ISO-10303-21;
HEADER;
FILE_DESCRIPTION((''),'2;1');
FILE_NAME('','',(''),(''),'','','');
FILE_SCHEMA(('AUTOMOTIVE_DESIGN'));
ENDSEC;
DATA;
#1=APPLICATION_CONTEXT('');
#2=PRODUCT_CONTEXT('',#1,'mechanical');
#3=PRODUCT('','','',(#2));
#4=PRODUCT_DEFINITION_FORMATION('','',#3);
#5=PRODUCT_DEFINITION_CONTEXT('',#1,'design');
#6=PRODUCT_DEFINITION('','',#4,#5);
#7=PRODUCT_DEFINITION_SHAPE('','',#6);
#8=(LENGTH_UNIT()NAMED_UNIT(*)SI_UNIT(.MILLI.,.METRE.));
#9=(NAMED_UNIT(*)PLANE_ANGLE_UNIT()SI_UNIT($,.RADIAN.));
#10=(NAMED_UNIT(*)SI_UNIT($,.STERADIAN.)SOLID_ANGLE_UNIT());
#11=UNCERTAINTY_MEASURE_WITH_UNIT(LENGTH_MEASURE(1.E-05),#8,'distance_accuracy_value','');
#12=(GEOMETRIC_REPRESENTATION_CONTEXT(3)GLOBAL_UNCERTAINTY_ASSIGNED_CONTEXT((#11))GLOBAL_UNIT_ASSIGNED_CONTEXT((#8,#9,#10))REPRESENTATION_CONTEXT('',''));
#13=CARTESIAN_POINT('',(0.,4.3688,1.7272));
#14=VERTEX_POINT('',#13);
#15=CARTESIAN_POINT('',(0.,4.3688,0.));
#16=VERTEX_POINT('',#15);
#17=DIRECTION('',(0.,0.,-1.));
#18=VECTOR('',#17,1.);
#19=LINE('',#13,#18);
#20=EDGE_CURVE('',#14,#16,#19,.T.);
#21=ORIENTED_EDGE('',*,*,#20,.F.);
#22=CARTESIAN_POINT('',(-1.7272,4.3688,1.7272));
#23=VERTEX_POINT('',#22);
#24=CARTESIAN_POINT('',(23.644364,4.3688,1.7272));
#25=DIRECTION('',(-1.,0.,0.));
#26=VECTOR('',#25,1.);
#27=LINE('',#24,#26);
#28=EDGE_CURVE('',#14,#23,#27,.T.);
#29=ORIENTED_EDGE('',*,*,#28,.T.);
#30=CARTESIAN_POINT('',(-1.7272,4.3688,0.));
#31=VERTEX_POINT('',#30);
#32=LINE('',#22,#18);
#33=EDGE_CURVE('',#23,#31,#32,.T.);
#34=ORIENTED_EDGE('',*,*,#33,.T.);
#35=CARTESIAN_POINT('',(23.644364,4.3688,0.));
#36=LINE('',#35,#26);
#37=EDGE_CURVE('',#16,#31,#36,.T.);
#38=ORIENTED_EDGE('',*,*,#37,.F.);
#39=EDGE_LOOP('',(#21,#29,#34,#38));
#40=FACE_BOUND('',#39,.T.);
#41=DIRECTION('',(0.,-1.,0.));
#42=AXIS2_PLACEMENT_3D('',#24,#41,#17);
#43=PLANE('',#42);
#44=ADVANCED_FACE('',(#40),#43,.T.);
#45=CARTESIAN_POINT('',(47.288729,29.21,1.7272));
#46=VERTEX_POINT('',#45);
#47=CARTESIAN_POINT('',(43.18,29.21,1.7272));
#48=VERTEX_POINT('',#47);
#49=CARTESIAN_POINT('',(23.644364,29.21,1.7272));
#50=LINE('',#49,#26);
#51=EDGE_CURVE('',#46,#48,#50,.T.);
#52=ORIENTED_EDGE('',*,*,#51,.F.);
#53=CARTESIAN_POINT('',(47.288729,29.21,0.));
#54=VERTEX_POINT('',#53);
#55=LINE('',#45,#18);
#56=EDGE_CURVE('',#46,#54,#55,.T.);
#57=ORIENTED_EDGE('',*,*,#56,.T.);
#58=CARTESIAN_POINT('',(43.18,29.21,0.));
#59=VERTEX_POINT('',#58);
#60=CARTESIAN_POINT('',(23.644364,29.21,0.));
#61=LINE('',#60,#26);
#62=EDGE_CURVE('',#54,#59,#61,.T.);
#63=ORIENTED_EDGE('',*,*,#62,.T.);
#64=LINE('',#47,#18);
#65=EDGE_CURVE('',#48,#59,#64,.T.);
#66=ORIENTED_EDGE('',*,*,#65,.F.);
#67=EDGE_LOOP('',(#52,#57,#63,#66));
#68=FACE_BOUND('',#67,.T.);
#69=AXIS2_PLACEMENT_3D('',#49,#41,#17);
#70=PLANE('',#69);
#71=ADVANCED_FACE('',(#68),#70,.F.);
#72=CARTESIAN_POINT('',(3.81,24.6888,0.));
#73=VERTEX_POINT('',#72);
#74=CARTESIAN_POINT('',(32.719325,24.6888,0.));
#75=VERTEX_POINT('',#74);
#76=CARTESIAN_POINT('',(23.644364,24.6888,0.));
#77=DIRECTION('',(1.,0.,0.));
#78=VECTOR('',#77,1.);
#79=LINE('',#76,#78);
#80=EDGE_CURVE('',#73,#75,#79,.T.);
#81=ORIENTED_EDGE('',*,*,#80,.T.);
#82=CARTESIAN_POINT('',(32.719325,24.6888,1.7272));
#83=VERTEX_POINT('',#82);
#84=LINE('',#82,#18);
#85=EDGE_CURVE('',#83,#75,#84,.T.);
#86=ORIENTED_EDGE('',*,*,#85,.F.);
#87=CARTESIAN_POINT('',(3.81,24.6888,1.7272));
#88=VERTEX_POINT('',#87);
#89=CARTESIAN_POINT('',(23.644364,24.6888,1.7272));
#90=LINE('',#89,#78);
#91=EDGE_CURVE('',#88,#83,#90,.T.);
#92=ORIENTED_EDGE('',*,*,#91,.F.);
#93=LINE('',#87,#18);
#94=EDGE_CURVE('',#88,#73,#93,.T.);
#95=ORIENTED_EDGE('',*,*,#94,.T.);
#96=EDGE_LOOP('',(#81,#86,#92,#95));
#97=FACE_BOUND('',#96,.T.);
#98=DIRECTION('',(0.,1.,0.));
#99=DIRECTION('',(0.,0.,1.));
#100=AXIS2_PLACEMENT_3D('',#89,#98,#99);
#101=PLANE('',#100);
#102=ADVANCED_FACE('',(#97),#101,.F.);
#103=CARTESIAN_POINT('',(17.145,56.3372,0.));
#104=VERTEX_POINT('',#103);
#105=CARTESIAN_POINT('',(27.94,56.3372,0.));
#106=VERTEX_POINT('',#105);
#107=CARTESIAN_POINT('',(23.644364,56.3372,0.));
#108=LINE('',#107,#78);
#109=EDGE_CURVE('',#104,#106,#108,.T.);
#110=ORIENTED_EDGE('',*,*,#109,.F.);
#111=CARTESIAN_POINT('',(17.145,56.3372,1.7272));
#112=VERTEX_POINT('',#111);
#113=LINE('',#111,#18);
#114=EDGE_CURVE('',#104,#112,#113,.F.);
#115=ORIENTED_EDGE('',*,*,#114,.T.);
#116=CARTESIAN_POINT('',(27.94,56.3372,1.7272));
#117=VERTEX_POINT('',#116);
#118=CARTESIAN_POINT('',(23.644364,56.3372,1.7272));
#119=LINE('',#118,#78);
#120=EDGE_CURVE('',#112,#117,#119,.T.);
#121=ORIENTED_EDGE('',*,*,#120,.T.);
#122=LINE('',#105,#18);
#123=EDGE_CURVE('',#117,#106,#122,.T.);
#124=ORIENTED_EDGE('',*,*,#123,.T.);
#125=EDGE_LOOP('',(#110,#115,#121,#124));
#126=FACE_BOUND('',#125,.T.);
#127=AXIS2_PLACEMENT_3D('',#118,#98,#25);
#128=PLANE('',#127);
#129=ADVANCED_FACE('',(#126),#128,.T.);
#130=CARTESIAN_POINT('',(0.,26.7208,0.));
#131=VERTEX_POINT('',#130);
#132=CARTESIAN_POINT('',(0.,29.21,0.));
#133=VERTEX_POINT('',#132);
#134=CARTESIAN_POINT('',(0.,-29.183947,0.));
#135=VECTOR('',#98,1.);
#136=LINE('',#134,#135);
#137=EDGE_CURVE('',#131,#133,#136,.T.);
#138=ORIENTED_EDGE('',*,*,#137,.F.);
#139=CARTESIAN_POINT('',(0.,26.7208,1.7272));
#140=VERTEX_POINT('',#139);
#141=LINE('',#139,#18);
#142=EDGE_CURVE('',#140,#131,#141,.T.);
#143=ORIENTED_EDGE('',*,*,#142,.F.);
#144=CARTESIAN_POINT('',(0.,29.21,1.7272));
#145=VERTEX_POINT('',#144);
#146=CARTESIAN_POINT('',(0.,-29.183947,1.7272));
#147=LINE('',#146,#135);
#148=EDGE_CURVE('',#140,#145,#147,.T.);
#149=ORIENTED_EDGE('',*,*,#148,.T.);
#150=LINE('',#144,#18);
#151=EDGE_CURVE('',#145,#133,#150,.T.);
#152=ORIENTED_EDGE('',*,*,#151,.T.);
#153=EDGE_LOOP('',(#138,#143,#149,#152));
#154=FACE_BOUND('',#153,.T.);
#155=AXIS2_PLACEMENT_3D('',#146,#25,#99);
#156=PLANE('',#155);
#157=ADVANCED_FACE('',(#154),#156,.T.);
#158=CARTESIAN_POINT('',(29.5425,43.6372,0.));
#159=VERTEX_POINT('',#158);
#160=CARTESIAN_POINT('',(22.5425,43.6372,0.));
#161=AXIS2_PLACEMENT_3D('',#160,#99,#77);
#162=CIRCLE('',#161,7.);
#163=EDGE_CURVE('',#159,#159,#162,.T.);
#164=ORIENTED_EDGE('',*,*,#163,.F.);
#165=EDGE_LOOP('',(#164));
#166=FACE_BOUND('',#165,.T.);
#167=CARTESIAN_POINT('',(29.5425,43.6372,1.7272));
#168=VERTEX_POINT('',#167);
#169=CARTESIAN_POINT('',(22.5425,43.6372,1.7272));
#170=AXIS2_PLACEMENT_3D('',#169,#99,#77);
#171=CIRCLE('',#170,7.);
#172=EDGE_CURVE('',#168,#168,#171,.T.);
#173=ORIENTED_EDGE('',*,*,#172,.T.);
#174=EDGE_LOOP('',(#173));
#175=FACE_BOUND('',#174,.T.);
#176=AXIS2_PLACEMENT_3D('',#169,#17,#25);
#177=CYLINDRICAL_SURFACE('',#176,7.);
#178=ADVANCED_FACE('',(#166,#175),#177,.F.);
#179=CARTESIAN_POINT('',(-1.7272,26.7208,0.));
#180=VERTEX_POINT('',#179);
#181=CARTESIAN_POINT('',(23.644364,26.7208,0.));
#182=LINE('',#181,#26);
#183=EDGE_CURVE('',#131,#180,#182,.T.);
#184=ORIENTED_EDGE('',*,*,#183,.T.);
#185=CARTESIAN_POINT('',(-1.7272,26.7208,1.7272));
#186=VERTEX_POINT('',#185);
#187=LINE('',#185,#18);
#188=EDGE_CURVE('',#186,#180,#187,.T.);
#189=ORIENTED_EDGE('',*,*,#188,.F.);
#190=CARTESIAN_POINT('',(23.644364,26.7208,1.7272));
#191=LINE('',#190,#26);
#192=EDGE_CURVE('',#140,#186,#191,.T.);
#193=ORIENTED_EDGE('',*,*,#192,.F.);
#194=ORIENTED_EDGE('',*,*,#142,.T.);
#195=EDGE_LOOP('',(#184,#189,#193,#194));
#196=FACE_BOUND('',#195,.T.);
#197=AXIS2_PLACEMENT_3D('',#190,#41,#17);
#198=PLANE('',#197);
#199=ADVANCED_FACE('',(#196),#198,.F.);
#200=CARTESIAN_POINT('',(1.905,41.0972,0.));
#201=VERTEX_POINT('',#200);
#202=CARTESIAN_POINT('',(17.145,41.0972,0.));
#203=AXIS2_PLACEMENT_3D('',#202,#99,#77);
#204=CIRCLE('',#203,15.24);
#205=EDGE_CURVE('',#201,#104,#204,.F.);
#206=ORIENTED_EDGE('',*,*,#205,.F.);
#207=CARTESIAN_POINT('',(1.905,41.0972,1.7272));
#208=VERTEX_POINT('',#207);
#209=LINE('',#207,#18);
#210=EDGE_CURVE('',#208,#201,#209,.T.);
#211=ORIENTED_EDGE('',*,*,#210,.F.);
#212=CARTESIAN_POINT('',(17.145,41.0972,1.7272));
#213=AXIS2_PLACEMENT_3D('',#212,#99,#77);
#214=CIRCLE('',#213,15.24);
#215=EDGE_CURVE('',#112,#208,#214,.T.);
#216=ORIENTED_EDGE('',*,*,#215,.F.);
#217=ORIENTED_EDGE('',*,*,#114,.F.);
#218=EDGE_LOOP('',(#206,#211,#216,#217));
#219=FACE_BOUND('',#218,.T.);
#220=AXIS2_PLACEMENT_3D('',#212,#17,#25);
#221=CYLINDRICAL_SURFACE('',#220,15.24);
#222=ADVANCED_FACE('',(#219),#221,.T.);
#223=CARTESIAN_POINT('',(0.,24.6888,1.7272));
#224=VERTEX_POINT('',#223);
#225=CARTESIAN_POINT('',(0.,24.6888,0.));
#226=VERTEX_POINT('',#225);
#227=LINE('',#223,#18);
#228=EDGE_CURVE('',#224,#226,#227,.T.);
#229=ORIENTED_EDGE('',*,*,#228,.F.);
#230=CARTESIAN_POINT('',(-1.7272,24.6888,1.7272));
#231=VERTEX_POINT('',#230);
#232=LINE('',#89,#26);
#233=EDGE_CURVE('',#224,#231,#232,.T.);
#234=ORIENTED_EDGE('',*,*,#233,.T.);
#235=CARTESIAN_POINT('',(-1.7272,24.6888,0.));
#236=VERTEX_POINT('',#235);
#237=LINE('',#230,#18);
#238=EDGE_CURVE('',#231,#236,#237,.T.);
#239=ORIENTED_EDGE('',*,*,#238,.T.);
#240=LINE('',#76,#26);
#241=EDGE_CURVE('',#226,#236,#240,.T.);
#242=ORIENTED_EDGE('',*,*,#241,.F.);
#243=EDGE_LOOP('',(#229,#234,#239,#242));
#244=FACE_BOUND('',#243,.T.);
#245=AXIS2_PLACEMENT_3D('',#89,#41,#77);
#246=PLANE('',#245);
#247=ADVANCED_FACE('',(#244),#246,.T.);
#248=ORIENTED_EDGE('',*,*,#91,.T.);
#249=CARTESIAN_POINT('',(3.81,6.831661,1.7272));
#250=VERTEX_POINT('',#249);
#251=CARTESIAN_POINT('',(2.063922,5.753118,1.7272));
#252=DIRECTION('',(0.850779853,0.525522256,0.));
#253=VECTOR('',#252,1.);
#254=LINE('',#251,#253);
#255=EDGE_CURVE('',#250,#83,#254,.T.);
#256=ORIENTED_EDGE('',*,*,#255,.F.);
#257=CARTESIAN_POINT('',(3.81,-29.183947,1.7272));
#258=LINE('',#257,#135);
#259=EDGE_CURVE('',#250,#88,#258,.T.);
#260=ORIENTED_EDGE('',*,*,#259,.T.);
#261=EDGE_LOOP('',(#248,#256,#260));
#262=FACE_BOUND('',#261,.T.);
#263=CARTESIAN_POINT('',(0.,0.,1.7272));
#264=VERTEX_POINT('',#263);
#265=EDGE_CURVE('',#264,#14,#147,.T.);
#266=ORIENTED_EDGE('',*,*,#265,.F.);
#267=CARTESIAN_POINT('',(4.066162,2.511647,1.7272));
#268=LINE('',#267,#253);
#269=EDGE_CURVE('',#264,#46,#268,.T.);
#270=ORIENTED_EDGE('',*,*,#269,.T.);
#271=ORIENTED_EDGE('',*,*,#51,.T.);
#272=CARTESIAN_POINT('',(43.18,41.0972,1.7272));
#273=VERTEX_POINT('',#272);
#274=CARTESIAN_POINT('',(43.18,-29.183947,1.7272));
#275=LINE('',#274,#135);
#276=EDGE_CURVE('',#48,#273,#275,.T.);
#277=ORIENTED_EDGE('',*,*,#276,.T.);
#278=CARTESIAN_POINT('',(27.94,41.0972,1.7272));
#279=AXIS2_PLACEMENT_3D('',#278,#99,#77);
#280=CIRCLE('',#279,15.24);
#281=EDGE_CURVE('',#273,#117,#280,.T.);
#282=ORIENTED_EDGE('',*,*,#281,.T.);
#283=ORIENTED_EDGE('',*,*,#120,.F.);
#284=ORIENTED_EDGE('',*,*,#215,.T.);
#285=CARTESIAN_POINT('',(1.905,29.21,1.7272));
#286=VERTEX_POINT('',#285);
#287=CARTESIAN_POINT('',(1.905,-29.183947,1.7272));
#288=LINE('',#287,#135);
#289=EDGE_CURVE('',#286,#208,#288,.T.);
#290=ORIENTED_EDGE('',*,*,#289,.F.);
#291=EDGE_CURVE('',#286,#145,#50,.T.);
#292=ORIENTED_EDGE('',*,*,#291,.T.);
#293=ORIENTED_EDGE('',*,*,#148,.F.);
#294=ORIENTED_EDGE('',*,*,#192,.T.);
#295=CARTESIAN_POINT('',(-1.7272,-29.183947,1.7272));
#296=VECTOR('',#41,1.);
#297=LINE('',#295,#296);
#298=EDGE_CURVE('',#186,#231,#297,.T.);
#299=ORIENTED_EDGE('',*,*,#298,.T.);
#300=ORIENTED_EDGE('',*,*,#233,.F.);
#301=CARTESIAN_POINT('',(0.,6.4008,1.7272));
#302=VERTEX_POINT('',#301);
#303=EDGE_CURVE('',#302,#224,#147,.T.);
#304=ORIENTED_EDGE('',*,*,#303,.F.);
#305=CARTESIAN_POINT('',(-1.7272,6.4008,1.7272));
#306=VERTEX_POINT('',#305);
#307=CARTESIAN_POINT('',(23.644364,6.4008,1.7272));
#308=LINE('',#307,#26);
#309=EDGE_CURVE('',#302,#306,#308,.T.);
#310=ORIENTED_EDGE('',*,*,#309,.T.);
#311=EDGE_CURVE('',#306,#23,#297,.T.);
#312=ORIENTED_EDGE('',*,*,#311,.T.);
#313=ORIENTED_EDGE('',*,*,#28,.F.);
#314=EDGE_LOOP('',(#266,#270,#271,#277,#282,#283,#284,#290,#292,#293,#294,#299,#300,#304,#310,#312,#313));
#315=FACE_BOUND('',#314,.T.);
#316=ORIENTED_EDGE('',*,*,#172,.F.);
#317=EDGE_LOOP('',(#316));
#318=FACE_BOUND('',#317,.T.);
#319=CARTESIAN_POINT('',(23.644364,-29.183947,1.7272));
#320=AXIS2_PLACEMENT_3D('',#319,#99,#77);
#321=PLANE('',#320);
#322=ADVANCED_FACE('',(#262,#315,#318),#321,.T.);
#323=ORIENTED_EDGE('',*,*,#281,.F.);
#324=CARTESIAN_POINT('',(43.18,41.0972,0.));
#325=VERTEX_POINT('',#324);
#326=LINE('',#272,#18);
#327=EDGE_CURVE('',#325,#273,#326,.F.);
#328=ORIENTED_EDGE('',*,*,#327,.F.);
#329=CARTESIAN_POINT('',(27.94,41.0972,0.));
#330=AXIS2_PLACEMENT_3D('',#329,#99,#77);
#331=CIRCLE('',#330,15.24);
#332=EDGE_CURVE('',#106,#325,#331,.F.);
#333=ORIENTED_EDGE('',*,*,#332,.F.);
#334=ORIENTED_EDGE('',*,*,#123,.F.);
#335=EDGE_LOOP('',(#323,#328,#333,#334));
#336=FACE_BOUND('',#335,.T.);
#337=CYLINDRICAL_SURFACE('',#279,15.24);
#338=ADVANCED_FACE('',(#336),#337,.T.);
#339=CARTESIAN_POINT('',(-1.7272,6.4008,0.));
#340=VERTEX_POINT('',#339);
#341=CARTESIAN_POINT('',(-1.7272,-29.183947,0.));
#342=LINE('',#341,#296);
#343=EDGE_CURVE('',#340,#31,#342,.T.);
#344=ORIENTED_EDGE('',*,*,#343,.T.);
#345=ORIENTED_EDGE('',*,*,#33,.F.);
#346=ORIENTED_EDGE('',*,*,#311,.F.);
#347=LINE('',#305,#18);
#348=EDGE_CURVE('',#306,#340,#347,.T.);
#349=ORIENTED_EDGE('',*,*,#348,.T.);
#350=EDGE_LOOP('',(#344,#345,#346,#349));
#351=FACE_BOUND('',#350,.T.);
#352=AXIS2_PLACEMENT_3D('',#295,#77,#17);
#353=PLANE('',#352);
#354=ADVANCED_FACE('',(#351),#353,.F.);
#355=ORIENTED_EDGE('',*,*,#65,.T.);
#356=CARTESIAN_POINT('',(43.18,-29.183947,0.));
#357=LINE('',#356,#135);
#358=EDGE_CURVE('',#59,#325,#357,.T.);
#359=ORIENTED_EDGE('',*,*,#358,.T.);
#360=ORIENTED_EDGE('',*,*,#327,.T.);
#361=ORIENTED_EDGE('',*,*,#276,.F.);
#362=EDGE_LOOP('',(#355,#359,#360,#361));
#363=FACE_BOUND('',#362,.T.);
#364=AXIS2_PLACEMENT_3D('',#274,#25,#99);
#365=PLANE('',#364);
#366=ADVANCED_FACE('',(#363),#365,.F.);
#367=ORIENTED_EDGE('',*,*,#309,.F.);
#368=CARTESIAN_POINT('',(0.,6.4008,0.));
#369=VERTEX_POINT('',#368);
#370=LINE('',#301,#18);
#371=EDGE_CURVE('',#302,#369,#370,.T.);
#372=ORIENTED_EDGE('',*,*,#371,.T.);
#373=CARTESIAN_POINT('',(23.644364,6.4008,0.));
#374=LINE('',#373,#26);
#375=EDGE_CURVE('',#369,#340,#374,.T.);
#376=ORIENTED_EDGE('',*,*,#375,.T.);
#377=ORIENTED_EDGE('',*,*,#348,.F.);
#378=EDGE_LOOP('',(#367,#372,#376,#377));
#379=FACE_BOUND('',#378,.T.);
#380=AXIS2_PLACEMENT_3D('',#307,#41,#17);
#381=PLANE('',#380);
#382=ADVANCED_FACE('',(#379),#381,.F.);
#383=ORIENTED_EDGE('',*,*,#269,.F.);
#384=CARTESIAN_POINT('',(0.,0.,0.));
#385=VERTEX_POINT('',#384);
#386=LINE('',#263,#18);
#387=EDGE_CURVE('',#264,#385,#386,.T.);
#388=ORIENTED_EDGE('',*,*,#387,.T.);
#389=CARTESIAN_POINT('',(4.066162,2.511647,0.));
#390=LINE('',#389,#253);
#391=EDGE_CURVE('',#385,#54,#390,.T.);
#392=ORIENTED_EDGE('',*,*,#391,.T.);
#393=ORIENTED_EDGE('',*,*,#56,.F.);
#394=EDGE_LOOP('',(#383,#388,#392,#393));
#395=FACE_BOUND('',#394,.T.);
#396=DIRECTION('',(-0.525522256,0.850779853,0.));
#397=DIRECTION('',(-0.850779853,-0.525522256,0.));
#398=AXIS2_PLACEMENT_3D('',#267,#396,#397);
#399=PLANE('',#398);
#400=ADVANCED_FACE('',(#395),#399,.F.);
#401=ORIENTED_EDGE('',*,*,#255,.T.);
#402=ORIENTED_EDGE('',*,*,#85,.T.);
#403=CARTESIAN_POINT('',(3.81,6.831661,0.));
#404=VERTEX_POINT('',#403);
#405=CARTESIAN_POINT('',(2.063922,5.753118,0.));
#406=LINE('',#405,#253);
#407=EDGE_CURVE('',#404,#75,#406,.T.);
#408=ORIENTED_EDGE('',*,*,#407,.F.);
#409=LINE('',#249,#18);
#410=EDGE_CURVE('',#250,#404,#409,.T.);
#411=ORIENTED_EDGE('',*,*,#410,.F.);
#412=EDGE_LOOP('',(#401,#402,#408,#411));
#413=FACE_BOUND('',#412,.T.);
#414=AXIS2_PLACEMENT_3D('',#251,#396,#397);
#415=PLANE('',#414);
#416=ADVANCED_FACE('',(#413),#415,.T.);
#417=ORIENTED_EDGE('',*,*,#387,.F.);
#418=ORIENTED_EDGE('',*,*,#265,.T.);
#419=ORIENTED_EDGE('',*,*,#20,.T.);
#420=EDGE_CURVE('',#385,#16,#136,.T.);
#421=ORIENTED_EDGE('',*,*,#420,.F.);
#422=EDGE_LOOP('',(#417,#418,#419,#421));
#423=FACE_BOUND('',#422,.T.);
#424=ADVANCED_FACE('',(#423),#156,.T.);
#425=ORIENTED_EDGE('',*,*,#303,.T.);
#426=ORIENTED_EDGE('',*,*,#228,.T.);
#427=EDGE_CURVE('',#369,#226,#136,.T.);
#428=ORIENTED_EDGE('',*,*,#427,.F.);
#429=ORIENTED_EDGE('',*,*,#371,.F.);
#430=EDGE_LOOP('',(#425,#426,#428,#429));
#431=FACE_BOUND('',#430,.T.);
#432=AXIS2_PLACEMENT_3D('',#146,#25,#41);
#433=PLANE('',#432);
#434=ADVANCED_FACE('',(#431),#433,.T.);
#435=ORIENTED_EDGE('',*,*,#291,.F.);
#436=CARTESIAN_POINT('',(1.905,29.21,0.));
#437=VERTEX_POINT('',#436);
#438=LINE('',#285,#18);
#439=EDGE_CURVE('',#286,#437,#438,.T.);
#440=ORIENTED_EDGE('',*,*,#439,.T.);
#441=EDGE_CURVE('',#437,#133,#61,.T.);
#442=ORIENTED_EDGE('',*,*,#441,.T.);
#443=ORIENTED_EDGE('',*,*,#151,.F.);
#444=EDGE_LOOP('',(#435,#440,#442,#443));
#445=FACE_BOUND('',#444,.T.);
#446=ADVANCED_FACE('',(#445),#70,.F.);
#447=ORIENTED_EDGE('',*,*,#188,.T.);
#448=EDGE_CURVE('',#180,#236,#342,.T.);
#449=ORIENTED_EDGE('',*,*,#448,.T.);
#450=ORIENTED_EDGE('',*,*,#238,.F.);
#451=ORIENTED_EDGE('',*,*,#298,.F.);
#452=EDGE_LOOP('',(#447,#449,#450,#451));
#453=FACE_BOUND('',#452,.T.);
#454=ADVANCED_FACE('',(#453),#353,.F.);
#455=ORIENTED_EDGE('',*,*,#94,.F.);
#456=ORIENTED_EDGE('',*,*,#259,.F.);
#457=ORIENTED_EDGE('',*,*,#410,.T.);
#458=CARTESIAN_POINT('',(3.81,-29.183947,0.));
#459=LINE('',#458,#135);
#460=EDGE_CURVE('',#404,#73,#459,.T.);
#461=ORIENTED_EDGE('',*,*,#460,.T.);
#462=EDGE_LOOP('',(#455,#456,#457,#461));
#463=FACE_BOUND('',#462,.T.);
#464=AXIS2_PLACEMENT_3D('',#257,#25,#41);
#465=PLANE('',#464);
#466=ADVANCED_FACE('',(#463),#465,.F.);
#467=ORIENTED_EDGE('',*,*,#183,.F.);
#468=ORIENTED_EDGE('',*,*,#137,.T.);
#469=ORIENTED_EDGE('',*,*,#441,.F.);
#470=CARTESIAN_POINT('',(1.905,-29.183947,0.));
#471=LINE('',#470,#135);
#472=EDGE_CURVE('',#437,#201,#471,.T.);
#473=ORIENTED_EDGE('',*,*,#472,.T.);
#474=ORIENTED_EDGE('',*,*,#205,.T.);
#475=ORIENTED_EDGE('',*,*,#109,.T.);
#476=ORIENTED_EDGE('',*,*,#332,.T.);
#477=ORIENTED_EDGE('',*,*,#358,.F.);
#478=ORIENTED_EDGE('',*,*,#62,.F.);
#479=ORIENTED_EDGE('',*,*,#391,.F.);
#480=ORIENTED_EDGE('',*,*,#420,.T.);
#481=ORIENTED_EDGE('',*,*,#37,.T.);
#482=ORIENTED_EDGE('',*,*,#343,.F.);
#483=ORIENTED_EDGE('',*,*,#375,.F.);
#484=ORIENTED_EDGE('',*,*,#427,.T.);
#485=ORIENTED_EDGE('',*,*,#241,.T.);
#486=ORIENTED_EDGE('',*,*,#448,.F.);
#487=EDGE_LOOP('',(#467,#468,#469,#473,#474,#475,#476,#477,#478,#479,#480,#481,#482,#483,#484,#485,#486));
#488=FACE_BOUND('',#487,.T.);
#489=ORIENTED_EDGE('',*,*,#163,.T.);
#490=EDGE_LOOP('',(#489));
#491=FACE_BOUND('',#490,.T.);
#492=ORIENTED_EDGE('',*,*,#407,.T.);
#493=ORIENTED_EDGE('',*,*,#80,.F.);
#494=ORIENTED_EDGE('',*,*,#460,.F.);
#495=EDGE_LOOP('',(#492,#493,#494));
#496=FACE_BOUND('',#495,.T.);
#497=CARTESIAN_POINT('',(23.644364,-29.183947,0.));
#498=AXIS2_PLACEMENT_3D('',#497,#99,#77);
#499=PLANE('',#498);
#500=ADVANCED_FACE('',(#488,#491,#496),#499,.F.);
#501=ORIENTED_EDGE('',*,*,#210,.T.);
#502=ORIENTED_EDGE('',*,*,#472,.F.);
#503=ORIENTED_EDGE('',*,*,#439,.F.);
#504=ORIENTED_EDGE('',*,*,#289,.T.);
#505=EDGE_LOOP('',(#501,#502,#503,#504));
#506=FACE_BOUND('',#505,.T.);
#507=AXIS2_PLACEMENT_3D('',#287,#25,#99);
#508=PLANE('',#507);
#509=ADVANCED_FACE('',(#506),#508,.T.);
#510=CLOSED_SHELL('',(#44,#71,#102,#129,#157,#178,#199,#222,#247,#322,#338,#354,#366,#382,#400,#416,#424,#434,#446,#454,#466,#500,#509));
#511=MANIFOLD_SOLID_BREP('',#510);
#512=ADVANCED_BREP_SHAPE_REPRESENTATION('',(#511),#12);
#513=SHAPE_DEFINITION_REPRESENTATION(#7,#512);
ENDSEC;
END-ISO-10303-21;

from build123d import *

# Parameters (mm, degrees)
SKETCH1_R           = 7
BOSS_EXTRUDE1_DEPTH = 1.7272
FILLET7_R           = 15.24


with BuildPart() as part:
    # Sketch1 → Boss-Extrude1 (new body)
    with BuildSketch(Plane.XY):
        Polygon((0, 0), (47.288728977, 29.21), (43.18, 29.21), (43.18, 56.3372), (1.905, 56.3372), (1.905, 29.21), (0, 29.21), (0, 26.7208), (-1.7272, 26.7208), (-1.7272, 24.6888), (0, 24.6888), (0, 6.4008), (-1.7272, 6.4008), (-1.7272, 4.3688), (0, 4.3688), align=None)
        with Locations((22.5425, 43.6372)):
            Circle(SKETCH1_R, mode=Mode.SUBTRACT)
        Polygon((3.81, 24.6888), (32.719325319, 24.6888), (3.81, 6.831661294), align=None, mode=Mode.SUBTRACT)
    extrude(amount=BOSS_EXTRUDE1_DEPTH)

    # Fillet7
    fillet7_edges = [part.edges().sort_by_distance(p)[0] for p in [
        (1.905, 56.3372, 0.8636),
        (43.18, 56.3372, 0.8636),
    ]]
    fillet(fillet7_edges, radius=FILLET7_R)


solid = part.part
